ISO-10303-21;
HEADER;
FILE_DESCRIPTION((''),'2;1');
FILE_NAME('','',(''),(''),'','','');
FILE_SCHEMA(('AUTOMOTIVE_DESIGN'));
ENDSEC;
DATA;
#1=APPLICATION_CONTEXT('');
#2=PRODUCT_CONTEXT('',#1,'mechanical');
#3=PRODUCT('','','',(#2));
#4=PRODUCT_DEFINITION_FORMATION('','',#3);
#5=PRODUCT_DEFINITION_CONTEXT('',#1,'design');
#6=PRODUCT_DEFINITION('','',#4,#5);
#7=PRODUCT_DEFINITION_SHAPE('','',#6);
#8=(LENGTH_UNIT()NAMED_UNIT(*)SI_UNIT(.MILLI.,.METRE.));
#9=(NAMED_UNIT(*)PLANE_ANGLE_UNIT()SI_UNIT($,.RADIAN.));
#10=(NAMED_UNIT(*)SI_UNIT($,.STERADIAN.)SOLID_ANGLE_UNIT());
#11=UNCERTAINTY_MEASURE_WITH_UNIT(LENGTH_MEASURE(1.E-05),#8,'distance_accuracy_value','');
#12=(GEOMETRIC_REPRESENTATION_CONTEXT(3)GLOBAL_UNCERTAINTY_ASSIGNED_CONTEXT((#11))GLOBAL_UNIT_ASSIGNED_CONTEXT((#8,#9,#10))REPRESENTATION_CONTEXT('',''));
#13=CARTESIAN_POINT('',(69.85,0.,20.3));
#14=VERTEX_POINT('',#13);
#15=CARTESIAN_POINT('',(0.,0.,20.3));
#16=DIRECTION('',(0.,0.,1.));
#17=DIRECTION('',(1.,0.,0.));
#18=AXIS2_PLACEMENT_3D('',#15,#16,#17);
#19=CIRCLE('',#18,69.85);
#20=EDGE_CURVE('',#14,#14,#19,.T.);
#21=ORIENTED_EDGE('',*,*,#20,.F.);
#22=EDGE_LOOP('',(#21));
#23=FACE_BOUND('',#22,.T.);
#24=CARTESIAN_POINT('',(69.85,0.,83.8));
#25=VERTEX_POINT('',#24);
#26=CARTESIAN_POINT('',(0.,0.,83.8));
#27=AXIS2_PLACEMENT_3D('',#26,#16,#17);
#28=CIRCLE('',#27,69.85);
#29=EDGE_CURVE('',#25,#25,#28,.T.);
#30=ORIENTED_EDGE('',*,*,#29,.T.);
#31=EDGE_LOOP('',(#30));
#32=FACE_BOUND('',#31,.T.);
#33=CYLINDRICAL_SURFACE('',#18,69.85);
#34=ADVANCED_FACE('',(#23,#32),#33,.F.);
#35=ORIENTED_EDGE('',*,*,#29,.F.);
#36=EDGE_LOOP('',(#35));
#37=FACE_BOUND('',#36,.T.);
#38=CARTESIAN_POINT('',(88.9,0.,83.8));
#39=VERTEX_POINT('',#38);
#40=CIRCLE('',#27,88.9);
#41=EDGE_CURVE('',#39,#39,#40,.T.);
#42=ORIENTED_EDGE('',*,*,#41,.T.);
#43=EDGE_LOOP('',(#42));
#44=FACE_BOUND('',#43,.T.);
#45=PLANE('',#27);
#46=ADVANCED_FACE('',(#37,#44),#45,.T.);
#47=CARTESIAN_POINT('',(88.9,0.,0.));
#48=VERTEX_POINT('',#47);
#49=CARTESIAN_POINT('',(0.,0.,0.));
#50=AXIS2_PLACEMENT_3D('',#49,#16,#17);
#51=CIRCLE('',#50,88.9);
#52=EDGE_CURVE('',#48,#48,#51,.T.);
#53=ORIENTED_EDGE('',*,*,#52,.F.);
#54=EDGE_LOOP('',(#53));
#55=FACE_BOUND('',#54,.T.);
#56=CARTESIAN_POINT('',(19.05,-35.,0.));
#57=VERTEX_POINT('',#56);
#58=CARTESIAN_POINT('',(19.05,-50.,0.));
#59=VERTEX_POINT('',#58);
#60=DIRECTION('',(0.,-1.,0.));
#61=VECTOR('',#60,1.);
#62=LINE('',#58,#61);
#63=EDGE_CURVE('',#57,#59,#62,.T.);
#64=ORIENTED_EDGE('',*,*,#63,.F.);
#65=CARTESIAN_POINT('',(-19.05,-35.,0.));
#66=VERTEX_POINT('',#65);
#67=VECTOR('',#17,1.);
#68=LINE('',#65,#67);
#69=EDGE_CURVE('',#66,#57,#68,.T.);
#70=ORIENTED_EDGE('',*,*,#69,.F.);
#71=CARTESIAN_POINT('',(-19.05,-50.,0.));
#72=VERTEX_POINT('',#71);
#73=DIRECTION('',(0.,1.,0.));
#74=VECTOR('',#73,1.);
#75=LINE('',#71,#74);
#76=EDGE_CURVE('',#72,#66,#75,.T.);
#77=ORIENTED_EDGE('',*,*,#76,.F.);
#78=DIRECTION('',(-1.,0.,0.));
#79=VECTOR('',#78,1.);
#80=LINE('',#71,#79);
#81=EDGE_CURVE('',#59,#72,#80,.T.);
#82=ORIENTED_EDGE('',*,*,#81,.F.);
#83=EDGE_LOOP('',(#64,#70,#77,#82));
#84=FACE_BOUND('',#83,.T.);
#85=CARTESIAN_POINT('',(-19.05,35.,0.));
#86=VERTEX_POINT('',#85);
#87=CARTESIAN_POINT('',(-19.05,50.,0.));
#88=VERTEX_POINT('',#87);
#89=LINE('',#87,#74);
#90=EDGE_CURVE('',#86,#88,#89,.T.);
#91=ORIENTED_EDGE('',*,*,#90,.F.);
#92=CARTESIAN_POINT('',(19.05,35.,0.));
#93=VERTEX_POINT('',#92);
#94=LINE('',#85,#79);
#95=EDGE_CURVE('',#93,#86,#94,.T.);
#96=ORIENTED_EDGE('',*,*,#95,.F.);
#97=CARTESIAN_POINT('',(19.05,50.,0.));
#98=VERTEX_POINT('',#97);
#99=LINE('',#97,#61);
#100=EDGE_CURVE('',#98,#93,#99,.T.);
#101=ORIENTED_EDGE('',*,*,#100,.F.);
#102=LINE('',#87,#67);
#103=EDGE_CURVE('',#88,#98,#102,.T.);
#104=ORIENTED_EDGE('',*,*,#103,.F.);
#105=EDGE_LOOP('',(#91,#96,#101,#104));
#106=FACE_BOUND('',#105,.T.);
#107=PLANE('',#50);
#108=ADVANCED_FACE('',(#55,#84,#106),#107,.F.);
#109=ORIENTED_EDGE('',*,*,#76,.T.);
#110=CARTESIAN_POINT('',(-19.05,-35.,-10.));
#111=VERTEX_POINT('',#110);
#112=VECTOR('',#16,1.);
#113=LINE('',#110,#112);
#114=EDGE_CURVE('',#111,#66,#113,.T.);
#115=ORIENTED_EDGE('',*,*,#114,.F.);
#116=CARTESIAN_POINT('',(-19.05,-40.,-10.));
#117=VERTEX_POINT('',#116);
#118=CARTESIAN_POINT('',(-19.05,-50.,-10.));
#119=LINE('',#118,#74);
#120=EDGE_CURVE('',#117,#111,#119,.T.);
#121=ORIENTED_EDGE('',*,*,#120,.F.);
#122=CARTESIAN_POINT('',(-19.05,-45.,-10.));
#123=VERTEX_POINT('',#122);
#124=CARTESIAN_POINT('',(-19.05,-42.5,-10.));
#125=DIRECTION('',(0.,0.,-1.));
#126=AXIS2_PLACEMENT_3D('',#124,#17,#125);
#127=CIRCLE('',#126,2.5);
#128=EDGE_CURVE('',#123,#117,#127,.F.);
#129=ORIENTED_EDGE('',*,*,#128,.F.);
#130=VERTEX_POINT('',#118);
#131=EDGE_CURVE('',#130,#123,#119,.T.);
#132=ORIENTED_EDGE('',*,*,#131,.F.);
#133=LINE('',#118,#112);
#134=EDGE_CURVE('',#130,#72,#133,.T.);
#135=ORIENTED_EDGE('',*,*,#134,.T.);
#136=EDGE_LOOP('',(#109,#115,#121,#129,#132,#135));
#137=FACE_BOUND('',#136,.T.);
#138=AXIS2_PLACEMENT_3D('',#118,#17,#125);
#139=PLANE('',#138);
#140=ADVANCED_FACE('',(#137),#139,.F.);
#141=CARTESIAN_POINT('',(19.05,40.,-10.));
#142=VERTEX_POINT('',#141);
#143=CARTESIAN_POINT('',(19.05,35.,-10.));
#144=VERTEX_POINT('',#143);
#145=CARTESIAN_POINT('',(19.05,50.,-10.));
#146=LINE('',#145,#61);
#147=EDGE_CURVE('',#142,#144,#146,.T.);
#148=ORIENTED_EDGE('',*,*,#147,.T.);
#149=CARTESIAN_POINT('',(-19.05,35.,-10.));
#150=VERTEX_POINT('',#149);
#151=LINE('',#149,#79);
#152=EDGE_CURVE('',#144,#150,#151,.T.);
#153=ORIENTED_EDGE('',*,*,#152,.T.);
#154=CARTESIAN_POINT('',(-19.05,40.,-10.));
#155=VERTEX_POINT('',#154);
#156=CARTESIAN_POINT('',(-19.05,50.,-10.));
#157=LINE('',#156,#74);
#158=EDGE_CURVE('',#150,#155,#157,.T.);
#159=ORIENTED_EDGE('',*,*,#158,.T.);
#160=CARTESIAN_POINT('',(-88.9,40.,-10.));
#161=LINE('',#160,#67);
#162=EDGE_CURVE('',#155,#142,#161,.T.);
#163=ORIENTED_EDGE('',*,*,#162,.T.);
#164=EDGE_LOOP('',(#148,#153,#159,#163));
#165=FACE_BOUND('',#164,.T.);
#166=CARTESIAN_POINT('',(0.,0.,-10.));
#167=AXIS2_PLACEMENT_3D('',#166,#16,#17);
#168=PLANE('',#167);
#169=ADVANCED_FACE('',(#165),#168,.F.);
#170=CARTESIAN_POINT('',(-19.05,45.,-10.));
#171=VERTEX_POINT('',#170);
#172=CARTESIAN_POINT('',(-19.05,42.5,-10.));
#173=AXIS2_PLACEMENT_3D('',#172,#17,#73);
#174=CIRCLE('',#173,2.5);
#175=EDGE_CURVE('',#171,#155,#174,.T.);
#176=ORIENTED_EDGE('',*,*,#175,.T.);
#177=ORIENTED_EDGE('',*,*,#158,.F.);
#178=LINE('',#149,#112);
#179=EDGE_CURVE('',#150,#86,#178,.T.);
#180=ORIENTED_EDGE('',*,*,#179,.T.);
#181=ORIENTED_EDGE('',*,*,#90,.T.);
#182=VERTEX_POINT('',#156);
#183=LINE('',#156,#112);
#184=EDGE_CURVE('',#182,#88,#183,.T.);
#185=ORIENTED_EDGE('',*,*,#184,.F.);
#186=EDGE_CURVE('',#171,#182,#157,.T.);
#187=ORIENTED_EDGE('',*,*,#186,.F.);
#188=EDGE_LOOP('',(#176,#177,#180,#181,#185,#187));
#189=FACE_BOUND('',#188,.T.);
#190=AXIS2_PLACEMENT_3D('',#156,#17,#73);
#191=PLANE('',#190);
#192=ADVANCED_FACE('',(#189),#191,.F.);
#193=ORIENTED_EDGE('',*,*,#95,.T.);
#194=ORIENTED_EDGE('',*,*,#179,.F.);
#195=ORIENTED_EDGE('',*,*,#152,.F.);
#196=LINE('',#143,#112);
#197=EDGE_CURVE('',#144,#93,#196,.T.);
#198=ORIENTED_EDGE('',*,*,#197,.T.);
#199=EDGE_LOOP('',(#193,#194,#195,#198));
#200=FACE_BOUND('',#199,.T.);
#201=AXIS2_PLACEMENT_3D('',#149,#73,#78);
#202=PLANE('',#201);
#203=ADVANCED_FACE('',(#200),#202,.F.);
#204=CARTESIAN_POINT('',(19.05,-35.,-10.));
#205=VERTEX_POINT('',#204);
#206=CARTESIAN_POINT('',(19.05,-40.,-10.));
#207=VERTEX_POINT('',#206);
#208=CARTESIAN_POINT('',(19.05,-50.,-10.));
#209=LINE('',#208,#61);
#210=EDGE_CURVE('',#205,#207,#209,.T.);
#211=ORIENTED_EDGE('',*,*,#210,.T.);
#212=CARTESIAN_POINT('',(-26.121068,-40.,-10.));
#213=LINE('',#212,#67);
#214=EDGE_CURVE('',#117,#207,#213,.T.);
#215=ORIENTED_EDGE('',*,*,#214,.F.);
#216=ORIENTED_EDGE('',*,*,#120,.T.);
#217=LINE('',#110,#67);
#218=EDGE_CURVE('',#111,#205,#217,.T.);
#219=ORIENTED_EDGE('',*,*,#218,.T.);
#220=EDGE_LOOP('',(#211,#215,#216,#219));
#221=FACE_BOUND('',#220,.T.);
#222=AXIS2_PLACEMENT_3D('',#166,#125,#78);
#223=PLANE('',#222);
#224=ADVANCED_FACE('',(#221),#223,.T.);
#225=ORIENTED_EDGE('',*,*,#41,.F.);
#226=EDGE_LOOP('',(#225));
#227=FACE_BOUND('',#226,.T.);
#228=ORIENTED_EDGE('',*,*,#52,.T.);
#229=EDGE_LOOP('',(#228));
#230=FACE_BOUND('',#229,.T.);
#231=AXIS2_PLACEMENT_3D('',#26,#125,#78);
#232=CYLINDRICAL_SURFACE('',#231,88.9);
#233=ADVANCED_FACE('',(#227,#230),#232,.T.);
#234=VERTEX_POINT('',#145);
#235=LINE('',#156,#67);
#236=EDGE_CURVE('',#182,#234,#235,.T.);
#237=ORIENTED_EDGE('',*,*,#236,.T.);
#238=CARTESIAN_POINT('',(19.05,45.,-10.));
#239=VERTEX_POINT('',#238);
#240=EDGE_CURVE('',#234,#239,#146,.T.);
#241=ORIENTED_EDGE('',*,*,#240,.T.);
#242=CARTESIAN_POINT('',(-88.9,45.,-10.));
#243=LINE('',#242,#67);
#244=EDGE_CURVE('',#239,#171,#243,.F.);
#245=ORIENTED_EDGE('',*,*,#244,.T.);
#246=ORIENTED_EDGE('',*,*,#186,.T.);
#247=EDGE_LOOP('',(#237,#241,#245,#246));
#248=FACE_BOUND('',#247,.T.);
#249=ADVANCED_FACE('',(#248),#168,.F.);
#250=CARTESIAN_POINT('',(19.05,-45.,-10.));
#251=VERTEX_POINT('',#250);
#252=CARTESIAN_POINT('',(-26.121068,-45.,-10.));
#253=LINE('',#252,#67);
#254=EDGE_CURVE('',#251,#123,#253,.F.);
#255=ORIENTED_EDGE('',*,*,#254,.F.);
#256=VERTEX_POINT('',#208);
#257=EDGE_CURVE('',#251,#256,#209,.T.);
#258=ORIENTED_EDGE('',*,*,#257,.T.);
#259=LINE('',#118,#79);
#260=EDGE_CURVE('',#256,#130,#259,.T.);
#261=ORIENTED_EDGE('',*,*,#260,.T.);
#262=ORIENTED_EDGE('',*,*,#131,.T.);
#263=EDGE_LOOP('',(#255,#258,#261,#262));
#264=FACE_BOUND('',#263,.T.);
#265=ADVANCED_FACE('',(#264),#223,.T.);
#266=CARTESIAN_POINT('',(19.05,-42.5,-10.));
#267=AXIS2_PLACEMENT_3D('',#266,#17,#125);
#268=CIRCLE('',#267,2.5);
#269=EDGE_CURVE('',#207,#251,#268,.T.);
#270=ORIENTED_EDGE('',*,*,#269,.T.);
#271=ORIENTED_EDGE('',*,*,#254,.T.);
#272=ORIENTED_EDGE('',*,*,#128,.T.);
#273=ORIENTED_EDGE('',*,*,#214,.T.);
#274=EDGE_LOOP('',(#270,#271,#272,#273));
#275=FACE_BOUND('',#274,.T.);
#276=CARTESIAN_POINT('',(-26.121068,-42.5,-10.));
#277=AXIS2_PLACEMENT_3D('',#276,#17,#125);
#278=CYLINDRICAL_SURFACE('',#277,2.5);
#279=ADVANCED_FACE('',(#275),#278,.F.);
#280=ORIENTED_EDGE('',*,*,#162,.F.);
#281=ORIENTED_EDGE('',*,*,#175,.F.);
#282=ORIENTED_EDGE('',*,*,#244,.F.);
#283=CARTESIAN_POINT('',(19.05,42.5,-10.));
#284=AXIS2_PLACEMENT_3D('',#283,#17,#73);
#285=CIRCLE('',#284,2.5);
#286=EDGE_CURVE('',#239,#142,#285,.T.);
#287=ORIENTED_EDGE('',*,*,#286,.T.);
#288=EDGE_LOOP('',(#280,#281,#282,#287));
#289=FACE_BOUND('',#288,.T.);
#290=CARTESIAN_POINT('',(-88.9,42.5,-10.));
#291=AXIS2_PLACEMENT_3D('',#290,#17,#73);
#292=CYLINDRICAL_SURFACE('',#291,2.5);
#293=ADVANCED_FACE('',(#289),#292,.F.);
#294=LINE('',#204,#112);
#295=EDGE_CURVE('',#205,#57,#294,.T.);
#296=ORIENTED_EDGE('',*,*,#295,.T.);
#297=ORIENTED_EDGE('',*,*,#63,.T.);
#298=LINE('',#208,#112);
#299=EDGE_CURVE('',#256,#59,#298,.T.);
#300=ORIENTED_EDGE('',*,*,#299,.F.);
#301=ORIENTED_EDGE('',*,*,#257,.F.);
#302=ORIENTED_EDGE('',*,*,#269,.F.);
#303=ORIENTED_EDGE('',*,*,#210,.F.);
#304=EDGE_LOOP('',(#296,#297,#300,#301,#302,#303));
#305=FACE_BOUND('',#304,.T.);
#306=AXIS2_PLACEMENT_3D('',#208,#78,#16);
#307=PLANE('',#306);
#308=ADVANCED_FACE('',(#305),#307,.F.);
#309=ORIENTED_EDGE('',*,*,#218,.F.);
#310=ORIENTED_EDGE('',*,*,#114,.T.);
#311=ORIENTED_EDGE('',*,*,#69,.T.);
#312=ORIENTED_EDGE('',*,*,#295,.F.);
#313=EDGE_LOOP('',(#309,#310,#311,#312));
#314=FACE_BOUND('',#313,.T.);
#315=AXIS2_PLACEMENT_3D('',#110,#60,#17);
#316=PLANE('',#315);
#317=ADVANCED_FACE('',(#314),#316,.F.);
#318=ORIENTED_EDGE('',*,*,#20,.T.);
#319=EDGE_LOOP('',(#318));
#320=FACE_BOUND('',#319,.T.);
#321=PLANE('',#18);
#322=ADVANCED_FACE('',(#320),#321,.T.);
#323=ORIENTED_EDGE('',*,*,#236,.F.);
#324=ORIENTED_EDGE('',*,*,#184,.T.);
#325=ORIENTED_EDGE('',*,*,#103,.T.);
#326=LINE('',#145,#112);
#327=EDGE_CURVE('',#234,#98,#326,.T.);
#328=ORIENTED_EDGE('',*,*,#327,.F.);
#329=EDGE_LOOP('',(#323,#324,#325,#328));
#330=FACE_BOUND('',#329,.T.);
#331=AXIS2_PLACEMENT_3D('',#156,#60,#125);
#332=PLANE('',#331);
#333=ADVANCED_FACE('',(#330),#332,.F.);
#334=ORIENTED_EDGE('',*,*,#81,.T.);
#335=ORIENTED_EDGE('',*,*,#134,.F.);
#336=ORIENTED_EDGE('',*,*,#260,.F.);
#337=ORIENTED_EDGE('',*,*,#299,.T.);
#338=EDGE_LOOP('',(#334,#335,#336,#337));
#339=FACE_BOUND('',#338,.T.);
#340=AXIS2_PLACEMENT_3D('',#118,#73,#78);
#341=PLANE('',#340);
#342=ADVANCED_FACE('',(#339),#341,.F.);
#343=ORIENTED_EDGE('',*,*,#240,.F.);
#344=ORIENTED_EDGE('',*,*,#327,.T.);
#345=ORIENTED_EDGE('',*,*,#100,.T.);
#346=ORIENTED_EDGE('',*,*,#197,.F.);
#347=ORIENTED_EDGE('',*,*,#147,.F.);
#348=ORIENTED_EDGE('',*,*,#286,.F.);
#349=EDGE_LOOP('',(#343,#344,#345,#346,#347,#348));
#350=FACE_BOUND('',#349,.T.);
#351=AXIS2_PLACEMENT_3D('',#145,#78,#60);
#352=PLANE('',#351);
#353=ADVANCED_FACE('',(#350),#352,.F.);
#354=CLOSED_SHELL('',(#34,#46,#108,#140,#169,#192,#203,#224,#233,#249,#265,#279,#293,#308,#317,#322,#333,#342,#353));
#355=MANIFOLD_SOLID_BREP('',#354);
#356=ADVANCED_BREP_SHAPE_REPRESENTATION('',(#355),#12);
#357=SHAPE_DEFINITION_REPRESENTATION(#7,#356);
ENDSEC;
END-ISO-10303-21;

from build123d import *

# Parameters (mm, degrees)
SKETCH1_R           = 88.9
BOSS_EXTRUDE1_DEPTH = 83.8
SKETCH2_W           = 38.1
SKETCH2_H           = 15
BOSS_EXTRUDE2_DEPTH = 10
SKETCH4_R           = 2.5
CUT_EXTRUDE1_DEPTH  = 108.95
SKETCH5_R           = 2.5
CUT_EXTRUDE2_DEPTH  = 38.1
SKETCH6_R           = 69.85
CUT_EXTRUDE3_DEPTH  = 63.5


with BuildPart() as part:
    # Sketch1 → Boss-Extrude1 (new body)
    with BuildSketch(Plane.XY):
        Circle(SKETCH1_R)
    extrude(amount=BOSS_EXTRUDE1_DEPTH)

    # Sketch2 → Boss-Extrude2 (add)
    with BuildSketch(Plane(origin=(0, 0, 0), x_dir=(-1, 0, 0), z_dir=(0, 0, -1))):
        with Locations((0, 42.5)):
            Rectangle(SKETCH2_W, SKETCH2_H)
        with Locations((0, -42.5)):
            Rectangle(SKETCH2_W, SKETCH2_H)
    extrude(amount=BOSS_EXTRUDE2_DEPTH)

    # Sketch4 → Cut-Extrude1 (cut, through all)
    with BuildSketch(Plane(origin=(19.05, 0, 0), x_dir=(0, 0, -1), z_dir=(1, 0, 0))):
        with Locations((10, 42.5)):
            Circle(SKETCH4_R)
    extrude(amount=-CUT_EXTRUDE1_DEPTH, mode=Mode.SUBTRACT)

    # Sketch5 → Cut-Extrude2 (cut)
    with BuildSketch(Plane(origin=(19.05, 0, 0), x_dir=(0, 0, -1), z_dir=(1, 0, 0))):
        with Locations((10, -42.5)):
            Circle(SKETCH5_R)
    extrude(amount=-CUT_EXTRUDE2_DEPTH, mode=Mode.SUBTRACT)

    # Sketch6 → Cut-Extrude3 (cut)
    with BuildSketch(Plane.XY.offset(83.8)):
        Circle(SKETCH6_R)
    extrude(amount=-CUT_EXTRUDE3_DEPTH, mode=Mode.SUBTRACT)


solid = part.part
